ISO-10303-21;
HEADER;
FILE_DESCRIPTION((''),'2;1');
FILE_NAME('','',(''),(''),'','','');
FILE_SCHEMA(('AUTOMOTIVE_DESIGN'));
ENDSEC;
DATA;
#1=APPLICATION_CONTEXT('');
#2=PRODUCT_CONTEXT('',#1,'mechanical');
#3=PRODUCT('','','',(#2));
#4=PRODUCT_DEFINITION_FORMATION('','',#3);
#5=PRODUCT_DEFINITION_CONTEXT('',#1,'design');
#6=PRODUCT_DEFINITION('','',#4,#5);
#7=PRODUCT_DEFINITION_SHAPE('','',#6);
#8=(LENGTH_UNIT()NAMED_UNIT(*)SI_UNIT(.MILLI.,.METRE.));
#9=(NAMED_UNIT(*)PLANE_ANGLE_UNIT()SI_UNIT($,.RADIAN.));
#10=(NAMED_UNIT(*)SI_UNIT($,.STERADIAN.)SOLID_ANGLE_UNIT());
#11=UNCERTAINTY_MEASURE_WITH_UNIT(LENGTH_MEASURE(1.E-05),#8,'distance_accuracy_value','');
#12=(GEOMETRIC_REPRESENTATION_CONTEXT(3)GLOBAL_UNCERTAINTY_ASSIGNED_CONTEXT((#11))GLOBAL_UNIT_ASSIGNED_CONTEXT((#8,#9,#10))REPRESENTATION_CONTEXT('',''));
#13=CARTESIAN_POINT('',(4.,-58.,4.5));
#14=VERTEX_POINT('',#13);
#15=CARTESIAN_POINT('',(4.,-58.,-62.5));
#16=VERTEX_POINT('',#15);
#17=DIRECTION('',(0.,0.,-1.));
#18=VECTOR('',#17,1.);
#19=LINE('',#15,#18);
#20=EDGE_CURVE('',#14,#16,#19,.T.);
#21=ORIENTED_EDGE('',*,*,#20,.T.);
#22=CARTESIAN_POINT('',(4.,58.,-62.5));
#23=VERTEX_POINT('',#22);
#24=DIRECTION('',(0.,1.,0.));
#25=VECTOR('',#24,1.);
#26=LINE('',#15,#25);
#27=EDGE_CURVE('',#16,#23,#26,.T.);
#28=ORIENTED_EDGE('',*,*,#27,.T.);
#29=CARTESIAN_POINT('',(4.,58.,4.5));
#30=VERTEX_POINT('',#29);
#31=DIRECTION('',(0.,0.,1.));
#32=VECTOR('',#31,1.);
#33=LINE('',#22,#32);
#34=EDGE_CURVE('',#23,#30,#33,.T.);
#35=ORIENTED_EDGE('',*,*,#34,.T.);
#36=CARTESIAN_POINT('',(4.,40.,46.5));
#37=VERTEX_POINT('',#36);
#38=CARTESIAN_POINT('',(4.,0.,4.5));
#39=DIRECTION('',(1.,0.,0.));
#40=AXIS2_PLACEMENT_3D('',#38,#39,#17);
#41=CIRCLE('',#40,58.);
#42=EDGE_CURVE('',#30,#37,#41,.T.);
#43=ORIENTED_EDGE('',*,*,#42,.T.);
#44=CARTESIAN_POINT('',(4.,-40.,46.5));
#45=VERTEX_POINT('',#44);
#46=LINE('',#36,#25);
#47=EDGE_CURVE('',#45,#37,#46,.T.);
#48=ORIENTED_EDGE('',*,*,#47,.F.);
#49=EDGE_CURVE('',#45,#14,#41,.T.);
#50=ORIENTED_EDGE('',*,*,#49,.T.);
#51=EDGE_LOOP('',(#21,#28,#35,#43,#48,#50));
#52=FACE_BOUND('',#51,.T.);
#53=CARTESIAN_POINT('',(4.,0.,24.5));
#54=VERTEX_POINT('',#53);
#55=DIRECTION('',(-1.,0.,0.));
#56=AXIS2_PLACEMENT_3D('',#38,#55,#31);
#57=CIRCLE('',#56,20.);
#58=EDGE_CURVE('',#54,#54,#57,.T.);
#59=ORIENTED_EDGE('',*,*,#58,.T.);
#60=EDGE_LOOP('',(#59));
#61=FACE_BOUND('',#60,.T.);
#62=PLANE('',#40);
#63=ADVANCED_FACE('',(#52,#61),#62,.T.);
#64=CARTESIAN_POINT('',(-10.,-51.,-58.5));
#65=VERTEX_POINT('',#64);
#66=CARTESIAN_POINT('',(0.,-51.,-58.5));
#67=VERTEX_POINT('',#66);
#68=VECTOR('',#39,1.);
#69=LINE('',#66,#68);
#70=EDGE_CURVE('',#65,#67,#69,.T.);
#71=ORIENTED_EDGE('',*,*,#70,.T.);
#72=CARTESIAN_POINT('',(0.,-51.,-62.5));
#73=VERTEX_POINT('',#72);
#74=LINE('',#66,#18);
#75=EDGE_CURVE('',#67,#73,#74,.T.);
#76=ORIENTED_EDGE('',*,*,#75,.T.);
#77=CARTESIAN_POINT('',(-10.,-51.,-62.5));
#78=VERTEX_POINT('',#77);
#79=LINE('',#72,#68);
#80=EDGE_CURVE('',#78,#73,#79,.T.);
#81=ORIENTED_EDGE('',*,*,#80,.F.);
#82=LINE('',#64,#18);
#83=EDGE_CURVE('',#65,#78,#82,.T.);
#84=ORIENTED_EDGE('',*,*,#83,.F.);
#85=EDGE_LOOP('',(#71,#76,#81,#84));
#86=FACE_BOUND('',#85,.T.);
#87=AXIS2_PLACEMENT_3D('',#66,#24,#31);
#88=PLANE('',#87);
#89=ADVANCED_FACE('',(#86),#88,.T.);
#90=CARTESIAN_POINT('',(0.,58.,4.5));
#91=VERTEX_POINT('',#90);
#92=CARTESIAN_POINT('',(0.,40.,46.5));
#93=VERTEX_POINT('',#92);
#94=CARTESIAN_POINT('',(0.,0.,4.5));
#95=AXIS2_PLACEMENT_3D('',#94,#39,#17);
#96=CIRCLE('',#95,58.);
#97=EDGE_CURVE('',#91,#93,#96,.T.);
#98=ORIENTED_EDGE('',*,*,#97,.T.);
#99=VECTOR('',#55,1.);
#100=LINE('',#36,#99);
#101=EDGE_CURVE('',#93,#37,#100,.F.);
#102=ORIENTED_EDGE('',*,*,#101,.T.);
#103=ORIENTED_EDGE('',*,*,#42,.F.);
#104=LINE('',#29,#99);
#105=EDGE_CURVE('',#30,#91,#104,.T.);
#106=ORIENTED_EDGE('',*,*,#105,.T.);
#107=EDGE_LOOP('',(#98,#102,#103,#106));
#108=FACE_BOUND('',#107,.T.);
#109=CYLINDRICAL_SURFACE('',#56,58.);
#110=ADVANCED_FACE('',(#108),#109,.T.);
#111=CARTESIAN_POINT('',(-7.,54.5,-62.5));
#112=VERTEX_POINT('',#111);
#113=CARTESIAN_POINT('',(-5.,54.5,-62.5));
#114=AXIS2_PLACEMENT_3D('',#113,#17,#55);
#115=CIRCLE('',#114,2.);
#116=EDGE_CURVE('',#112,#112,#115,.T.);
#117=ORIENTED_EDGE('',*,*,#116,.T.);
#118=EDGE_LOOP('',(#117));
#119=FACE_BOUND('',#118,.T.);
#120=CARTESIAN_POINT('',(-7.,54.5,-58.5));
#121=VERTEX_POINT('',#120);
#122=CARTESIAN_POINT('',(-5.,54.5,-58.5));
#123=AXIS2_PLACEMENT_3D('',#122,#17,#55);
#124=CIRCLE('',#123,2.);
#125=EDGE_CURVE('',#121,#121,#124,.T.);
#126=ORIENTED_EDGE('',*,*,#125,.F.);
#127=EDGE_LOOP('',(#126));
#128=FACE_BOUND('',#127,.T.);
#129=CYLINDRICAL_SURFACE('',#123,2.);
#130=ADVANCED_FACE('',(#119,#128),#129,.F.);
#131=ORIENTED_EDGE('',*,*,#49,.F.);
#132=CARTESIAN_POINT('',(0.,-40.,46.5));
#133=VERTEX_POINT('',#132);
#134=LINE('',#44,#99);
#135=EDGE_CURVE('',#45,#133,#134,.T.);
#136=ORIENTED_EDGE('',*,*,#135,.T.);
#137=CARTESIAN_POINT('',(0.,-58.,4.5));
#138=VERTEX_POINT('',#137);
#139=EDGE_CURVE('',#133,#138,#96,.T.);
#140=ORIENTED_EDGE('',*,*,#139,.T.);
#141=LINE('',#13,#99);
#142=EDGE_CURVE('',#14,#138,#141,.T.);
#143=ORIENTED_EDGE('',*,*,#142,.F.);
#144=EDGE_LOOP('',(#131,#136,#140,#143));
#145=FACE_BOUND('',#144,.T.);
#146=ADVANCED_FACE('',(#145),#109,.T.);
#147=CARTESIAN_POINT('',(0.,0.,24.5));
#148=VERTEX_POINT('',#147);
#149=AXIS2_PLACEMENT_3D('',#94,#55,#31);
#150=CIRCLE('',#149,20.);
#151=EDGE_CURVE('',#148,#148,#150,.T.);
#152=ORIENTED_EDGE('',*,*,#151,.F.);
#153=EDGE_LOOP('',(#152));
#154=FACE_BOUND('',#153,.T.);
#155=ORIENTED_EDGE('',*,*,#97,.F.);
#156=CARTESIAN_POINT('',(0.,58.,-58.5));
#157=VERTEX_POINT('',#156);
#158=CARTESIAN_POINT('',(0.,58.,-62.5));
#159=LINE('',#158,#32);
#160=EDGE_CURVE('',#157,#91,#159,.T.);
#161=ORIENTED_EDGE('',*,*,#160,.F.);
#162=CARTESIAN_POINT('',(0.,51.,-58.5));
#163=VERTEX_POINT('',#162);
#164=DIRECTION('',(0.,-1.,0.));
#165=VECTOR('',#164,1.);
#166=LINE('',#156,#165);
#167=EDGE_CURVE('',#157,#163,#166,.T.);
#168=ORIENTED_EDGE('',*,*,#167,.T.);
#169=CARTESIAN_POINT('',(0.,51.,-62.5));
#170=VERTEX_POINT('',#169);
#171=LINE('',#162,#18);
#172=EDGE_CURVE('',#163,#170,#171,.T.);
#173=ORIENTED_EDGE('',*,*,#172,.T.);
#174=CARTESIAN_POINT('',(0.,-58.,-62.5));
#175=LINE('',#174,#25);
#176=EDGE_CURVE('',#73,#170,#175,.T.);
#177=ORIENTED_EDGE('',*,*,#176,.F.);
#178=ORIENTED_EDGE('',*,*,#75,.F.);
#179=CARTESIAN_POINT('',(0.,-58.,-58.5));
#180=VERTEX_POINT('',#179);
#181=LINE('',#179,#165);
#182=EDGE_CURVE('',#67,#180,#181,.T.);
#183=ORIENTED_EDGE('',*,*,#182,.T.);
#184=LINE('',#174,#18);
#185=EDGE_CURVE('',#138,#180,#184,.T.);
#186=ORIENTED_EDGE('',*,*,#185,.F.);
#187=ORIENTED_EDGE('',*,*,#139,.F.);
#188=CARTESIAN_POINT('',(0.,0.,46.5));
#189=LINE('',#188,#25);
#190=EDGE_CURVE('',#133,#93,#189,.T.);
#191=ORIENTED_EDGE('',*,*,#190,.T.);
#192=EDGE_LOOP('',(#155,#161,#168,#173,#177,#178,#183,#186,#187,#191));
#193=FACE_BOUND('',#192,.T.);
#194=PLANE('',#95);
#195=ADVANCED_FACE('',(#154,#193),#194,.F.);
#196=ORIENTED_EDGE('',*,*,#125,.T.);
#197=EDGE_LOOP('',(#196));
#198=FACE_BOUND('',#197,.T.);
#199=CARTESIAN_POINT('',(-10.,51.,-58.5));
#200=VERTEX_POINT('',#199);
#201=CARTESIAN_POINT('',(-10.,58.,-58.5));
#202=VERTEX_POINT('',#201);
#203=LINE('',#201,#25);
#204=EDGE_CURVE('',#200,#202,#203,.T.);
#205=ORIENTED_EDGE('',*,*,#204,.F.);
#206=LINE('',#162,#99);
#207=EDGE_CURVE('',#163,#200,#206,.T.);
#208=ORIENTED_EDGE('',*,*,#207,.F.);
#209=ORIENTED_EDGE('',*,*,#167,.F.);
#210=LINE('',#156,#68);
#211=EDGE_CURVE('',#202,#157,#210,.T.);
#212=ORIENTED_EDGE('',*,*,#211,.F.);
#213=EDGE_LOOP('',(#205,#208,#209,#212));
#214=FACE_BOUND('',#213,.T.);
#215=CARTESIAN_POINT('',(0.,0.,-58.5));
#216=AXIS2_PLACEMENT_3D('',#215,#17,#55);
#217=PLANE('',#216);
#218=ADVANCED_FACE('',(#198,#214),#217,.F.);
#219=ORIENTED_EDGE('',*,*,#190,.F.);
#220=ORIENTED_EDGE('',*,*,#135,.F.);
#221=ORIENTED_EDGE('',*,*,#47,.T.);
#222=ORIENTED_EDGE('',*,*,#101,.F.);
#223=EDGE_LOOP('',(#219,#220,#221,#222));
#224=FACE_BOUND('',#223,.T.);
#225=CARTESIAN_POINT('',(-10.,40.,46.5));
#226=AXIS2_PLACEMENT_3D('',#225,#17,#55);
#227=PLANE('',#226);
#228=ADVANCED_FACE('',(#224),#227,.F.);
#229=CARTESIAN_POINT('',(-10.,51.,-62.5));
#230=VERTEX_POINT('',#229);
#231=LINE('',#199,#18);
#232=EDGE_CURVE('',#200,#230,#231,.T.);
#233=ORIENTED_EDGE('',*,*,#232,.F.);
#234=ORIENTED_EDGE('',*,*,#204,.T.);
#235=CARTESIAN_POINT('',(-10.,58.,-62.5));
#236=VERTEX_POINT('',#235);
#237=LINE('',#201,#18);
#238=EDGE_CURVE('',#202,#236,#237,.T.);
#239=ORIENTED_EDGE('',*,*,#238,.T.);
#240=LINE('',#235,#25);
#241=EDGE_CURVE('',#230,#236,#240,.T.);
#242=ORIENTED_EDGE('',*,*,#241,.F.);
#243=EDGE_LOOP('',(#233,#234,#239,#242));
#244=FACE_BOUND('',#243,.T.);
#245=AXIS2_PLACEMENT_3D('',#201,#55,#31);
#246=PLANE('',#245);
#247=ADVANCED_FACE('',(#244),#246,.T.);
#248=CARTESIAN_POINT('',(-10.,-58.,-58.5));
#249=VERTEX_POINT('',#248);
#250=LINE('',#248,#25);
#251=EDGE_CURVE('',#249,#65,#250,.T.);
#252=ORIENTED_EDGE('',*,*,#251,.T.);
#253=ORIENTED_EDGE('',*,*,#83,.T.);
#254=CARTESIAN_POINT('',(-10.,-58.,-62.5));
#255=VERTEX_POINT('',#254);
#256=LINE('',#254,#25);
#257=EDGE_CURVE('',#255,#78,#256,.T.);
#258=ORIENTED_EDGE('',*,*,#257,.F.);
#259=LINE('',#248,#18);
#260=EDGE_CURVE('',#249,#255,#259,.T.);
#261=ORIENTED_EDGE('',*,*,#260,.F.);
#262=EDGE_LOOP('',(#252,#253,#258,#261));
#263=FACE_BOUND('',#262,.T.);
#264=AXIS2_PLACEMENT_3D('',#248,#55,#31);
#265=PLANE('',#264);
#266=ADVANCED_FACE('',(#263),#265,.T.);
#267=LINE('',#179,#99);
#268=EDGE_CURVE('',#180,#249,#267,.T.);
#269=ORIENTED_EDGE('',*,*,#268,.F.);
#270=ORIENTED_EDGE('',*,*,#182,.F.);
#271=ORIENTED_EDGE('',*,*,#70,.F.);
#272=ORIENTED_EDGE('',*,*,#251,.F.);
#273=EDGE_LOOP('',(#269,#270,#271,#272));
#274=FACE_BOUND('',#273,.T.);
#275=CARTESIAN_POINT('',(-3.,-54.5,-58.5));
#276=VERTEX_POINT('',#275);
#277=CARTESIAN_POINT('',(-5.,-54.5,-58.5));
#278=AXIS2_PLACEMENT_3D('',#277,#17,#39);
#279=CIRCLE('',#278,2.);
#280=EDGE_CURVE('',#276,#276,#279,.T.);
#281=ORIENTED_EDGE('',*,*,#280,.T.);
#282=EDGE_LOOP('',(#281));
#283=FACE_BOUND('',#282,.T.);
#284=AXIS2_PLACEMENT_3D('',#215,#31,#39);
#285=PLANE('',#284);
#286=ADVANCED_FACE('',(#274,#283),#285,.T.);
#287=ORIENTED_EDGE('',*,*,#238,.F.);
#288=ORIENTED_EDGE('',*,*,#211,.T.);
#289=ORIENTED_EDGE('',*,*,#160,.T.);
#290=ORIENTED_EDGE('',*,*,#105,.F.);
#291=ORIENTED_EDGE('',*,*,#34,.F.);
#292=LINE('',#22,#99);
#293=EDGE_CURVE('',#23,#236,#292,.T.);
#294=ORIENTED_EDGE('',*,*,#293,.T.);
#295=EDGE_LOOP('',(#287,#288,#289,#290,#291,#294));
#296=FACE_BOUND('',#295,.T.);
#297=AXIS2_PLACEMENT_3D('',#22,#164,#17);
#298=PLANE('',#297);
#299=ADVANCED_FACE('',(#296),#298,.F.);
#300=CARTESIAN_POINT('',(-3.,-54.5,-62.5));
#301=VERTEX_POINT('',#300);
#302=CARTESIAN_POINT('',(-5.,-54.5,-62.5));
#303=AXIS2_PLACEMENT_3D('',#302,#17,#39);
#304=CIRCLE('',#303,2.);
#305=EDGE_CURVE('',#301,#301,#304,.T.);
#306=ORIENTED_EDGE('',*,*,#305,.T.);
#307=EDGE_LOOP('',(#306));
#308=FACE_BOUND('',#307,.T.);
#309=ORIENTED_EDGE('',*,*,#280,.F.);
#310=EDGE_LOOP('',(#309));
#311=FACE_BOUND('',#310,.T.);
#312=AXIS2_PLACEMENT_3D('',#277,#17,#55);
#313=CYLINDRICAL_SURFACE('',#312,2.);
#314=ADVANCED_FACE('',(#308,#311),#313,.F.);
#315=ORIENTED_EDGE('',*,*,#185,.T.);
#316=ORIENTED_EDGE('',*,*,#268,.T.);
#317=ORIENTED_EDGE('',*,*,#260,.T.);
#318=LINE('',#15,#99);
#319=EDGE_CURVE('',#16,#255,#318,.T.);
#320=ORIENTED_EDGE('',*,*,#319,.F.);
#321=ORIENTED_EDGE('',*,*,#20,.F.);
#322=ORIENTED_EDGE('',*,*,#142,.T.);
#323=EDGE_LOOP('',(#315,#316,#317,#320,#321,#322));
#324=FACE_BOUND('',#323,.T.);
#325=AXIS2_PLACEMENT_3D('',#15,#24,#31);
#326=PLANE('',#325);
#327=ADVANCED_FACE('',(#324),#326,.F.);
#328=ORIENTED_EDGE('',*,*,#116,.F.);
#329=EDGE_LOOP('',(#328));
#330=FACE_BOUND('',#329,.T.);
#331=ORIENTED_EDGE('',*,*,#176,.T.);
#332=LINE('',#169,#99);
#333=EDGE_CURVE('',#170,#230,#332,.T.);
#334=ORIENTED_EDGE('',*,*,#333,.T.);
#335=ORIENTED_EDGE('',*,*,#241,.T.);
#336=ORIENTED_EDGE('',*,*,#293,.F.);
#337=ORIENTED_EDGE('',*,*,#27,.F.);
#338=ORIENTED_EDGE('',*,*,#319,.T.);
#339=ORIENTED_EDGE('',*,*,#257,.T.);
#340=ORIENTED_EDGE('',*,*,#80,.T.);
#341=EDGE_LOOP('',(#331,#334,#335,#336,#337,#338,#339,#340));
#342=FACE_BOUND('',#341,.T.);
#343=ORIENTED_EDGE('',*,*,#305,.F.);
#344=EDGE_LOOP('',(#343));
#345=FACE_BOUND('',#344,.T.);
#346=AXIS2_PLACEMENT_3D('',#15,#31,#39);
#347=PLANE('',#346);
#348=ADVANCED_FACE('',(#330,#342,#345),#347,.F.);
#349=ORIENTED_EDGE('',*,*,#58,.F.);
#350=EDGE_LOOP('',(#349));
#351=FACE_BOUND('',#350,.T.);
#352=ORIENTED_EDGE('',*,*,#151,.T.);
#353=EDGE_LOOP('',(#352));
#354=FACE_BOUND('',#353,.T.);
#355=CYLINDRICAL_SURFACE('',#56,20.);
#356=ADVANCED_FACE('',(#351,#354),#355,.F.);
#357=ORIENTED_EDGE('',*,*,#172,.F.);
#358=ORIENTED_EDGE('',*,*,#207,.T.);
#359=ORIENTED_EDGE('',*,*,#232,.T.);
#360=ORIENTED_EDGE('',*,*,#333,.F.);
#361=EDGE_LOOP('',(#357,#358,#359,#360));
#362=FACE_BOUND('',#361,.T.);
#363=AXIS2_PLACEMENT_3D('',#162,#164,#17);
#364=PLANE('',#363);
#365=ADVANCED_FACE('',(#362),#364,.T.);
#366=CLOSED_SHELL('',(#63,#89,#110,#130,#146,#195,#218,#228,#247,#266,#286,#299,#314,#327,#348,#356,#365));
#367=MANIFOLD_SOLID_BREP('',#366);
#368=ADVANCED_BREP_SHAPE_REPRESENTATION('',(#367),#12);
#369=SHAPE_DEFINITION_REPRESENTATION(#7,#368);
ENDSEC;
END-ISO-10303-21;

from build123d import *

# Parameters (mm, degrees)
SKETCH1_R           = 12
BOSS_EXTRUDE1_DEPTH = 4
SKETCH7_W           = 10
SKETCH7_H           = 7
SKETCH7_R           = 2
BOSS_EXTRUDE4_DEPTH = 4
SKETCH8_R           = 20
CUT_EXTRUDE3_DEPTH  = 86.850160163
CUT_EXTRUDE4_DEPTH  = 87.407464955


with BuildPart() as part:
    # Sketch1 → Boss-Extrude1 (new body)
    with BuildSketch(Plane(origin=(0, 0, 0), x_dir=(0, 0, -1), z_dir=(1, 0, 0))):
        with BuildLine():
            Line((62.5, 58), (-4.5, 58))
            ThreePointArc((-4.5, 58), (-62.5, 0), (-4.5, -58))
            Line((-4.5, -58), (62.5, -58))
            Line((62.5, -58), (62.5, 58))
        make_face()
        with Locations((-4.5, 0)):
            Circle(SKETCH1_R, mode=Mode.SUBTRACT)
    extrude(amount=BOSS_EXTRUDE1_DEPTH)

    # Sketch7 → Boss-Extrude4 (add)
    # profile 1 of 2: a face of its own
    with BuildSketch(Plane(origin=(0, 0, -62.5), x_dir=(-1, 0, 0), z_dir=(0, 0, -1))):
        with Locations((5, 54.5)):
            Rectangle(SKETCH7_W, SKETCH7_H)
        with Locations((5, 54.5)):
            Circle(SKETCH7_R, mode=Mode.SUBTRACT)
    # profile 2 of 2: a face of its own
    with BuildSketch(Plane(origin=(0, 0, -62.5), x_dir=(-1, 0, 0), z_dir=(0, 0, -1))):
        with Locations((5, -54.5)):
            Rectangle(SKETCH7_W, SKETCH7_H)
        with Locations(Location((5, -54.5, 0), (0, 0, 180))):
            Circle(SKETCH7_R, mode=Mode.SUBTRACT)
    extrude(amount=-BOSS_EXTRUDE4_DEPTH)

    # Sketch8 → Cut-Extrude3 (cut, through all)
    with BuildSketch(Plane.ZY):
        with Locations((4.5, 0)):
            Circle(SKETCH8_R)
    extrude(amount=-CUT_EXTRUDE3_DEPTH, mode=Mode.SUBTRACT)

    # Sketch9 → Cut-Extrude4 (cut, through all)
    with BuildSketch(Plane(origin=(4, 0, 0), x_dir=(0, 0, -1), z_dir=(1, 0, 0))):
        with BuildLine():
            Line((-46.5, 40), (-46.5, -40))
            ThreePointArc((-46.5, -40), (-62.5, 0), (-46.5, 40))
        make_face()
    extrude(amount=-CUT_EXTRUDE4_DEPTH, mode=Mode.SUBTRACT)


solid = part.part
